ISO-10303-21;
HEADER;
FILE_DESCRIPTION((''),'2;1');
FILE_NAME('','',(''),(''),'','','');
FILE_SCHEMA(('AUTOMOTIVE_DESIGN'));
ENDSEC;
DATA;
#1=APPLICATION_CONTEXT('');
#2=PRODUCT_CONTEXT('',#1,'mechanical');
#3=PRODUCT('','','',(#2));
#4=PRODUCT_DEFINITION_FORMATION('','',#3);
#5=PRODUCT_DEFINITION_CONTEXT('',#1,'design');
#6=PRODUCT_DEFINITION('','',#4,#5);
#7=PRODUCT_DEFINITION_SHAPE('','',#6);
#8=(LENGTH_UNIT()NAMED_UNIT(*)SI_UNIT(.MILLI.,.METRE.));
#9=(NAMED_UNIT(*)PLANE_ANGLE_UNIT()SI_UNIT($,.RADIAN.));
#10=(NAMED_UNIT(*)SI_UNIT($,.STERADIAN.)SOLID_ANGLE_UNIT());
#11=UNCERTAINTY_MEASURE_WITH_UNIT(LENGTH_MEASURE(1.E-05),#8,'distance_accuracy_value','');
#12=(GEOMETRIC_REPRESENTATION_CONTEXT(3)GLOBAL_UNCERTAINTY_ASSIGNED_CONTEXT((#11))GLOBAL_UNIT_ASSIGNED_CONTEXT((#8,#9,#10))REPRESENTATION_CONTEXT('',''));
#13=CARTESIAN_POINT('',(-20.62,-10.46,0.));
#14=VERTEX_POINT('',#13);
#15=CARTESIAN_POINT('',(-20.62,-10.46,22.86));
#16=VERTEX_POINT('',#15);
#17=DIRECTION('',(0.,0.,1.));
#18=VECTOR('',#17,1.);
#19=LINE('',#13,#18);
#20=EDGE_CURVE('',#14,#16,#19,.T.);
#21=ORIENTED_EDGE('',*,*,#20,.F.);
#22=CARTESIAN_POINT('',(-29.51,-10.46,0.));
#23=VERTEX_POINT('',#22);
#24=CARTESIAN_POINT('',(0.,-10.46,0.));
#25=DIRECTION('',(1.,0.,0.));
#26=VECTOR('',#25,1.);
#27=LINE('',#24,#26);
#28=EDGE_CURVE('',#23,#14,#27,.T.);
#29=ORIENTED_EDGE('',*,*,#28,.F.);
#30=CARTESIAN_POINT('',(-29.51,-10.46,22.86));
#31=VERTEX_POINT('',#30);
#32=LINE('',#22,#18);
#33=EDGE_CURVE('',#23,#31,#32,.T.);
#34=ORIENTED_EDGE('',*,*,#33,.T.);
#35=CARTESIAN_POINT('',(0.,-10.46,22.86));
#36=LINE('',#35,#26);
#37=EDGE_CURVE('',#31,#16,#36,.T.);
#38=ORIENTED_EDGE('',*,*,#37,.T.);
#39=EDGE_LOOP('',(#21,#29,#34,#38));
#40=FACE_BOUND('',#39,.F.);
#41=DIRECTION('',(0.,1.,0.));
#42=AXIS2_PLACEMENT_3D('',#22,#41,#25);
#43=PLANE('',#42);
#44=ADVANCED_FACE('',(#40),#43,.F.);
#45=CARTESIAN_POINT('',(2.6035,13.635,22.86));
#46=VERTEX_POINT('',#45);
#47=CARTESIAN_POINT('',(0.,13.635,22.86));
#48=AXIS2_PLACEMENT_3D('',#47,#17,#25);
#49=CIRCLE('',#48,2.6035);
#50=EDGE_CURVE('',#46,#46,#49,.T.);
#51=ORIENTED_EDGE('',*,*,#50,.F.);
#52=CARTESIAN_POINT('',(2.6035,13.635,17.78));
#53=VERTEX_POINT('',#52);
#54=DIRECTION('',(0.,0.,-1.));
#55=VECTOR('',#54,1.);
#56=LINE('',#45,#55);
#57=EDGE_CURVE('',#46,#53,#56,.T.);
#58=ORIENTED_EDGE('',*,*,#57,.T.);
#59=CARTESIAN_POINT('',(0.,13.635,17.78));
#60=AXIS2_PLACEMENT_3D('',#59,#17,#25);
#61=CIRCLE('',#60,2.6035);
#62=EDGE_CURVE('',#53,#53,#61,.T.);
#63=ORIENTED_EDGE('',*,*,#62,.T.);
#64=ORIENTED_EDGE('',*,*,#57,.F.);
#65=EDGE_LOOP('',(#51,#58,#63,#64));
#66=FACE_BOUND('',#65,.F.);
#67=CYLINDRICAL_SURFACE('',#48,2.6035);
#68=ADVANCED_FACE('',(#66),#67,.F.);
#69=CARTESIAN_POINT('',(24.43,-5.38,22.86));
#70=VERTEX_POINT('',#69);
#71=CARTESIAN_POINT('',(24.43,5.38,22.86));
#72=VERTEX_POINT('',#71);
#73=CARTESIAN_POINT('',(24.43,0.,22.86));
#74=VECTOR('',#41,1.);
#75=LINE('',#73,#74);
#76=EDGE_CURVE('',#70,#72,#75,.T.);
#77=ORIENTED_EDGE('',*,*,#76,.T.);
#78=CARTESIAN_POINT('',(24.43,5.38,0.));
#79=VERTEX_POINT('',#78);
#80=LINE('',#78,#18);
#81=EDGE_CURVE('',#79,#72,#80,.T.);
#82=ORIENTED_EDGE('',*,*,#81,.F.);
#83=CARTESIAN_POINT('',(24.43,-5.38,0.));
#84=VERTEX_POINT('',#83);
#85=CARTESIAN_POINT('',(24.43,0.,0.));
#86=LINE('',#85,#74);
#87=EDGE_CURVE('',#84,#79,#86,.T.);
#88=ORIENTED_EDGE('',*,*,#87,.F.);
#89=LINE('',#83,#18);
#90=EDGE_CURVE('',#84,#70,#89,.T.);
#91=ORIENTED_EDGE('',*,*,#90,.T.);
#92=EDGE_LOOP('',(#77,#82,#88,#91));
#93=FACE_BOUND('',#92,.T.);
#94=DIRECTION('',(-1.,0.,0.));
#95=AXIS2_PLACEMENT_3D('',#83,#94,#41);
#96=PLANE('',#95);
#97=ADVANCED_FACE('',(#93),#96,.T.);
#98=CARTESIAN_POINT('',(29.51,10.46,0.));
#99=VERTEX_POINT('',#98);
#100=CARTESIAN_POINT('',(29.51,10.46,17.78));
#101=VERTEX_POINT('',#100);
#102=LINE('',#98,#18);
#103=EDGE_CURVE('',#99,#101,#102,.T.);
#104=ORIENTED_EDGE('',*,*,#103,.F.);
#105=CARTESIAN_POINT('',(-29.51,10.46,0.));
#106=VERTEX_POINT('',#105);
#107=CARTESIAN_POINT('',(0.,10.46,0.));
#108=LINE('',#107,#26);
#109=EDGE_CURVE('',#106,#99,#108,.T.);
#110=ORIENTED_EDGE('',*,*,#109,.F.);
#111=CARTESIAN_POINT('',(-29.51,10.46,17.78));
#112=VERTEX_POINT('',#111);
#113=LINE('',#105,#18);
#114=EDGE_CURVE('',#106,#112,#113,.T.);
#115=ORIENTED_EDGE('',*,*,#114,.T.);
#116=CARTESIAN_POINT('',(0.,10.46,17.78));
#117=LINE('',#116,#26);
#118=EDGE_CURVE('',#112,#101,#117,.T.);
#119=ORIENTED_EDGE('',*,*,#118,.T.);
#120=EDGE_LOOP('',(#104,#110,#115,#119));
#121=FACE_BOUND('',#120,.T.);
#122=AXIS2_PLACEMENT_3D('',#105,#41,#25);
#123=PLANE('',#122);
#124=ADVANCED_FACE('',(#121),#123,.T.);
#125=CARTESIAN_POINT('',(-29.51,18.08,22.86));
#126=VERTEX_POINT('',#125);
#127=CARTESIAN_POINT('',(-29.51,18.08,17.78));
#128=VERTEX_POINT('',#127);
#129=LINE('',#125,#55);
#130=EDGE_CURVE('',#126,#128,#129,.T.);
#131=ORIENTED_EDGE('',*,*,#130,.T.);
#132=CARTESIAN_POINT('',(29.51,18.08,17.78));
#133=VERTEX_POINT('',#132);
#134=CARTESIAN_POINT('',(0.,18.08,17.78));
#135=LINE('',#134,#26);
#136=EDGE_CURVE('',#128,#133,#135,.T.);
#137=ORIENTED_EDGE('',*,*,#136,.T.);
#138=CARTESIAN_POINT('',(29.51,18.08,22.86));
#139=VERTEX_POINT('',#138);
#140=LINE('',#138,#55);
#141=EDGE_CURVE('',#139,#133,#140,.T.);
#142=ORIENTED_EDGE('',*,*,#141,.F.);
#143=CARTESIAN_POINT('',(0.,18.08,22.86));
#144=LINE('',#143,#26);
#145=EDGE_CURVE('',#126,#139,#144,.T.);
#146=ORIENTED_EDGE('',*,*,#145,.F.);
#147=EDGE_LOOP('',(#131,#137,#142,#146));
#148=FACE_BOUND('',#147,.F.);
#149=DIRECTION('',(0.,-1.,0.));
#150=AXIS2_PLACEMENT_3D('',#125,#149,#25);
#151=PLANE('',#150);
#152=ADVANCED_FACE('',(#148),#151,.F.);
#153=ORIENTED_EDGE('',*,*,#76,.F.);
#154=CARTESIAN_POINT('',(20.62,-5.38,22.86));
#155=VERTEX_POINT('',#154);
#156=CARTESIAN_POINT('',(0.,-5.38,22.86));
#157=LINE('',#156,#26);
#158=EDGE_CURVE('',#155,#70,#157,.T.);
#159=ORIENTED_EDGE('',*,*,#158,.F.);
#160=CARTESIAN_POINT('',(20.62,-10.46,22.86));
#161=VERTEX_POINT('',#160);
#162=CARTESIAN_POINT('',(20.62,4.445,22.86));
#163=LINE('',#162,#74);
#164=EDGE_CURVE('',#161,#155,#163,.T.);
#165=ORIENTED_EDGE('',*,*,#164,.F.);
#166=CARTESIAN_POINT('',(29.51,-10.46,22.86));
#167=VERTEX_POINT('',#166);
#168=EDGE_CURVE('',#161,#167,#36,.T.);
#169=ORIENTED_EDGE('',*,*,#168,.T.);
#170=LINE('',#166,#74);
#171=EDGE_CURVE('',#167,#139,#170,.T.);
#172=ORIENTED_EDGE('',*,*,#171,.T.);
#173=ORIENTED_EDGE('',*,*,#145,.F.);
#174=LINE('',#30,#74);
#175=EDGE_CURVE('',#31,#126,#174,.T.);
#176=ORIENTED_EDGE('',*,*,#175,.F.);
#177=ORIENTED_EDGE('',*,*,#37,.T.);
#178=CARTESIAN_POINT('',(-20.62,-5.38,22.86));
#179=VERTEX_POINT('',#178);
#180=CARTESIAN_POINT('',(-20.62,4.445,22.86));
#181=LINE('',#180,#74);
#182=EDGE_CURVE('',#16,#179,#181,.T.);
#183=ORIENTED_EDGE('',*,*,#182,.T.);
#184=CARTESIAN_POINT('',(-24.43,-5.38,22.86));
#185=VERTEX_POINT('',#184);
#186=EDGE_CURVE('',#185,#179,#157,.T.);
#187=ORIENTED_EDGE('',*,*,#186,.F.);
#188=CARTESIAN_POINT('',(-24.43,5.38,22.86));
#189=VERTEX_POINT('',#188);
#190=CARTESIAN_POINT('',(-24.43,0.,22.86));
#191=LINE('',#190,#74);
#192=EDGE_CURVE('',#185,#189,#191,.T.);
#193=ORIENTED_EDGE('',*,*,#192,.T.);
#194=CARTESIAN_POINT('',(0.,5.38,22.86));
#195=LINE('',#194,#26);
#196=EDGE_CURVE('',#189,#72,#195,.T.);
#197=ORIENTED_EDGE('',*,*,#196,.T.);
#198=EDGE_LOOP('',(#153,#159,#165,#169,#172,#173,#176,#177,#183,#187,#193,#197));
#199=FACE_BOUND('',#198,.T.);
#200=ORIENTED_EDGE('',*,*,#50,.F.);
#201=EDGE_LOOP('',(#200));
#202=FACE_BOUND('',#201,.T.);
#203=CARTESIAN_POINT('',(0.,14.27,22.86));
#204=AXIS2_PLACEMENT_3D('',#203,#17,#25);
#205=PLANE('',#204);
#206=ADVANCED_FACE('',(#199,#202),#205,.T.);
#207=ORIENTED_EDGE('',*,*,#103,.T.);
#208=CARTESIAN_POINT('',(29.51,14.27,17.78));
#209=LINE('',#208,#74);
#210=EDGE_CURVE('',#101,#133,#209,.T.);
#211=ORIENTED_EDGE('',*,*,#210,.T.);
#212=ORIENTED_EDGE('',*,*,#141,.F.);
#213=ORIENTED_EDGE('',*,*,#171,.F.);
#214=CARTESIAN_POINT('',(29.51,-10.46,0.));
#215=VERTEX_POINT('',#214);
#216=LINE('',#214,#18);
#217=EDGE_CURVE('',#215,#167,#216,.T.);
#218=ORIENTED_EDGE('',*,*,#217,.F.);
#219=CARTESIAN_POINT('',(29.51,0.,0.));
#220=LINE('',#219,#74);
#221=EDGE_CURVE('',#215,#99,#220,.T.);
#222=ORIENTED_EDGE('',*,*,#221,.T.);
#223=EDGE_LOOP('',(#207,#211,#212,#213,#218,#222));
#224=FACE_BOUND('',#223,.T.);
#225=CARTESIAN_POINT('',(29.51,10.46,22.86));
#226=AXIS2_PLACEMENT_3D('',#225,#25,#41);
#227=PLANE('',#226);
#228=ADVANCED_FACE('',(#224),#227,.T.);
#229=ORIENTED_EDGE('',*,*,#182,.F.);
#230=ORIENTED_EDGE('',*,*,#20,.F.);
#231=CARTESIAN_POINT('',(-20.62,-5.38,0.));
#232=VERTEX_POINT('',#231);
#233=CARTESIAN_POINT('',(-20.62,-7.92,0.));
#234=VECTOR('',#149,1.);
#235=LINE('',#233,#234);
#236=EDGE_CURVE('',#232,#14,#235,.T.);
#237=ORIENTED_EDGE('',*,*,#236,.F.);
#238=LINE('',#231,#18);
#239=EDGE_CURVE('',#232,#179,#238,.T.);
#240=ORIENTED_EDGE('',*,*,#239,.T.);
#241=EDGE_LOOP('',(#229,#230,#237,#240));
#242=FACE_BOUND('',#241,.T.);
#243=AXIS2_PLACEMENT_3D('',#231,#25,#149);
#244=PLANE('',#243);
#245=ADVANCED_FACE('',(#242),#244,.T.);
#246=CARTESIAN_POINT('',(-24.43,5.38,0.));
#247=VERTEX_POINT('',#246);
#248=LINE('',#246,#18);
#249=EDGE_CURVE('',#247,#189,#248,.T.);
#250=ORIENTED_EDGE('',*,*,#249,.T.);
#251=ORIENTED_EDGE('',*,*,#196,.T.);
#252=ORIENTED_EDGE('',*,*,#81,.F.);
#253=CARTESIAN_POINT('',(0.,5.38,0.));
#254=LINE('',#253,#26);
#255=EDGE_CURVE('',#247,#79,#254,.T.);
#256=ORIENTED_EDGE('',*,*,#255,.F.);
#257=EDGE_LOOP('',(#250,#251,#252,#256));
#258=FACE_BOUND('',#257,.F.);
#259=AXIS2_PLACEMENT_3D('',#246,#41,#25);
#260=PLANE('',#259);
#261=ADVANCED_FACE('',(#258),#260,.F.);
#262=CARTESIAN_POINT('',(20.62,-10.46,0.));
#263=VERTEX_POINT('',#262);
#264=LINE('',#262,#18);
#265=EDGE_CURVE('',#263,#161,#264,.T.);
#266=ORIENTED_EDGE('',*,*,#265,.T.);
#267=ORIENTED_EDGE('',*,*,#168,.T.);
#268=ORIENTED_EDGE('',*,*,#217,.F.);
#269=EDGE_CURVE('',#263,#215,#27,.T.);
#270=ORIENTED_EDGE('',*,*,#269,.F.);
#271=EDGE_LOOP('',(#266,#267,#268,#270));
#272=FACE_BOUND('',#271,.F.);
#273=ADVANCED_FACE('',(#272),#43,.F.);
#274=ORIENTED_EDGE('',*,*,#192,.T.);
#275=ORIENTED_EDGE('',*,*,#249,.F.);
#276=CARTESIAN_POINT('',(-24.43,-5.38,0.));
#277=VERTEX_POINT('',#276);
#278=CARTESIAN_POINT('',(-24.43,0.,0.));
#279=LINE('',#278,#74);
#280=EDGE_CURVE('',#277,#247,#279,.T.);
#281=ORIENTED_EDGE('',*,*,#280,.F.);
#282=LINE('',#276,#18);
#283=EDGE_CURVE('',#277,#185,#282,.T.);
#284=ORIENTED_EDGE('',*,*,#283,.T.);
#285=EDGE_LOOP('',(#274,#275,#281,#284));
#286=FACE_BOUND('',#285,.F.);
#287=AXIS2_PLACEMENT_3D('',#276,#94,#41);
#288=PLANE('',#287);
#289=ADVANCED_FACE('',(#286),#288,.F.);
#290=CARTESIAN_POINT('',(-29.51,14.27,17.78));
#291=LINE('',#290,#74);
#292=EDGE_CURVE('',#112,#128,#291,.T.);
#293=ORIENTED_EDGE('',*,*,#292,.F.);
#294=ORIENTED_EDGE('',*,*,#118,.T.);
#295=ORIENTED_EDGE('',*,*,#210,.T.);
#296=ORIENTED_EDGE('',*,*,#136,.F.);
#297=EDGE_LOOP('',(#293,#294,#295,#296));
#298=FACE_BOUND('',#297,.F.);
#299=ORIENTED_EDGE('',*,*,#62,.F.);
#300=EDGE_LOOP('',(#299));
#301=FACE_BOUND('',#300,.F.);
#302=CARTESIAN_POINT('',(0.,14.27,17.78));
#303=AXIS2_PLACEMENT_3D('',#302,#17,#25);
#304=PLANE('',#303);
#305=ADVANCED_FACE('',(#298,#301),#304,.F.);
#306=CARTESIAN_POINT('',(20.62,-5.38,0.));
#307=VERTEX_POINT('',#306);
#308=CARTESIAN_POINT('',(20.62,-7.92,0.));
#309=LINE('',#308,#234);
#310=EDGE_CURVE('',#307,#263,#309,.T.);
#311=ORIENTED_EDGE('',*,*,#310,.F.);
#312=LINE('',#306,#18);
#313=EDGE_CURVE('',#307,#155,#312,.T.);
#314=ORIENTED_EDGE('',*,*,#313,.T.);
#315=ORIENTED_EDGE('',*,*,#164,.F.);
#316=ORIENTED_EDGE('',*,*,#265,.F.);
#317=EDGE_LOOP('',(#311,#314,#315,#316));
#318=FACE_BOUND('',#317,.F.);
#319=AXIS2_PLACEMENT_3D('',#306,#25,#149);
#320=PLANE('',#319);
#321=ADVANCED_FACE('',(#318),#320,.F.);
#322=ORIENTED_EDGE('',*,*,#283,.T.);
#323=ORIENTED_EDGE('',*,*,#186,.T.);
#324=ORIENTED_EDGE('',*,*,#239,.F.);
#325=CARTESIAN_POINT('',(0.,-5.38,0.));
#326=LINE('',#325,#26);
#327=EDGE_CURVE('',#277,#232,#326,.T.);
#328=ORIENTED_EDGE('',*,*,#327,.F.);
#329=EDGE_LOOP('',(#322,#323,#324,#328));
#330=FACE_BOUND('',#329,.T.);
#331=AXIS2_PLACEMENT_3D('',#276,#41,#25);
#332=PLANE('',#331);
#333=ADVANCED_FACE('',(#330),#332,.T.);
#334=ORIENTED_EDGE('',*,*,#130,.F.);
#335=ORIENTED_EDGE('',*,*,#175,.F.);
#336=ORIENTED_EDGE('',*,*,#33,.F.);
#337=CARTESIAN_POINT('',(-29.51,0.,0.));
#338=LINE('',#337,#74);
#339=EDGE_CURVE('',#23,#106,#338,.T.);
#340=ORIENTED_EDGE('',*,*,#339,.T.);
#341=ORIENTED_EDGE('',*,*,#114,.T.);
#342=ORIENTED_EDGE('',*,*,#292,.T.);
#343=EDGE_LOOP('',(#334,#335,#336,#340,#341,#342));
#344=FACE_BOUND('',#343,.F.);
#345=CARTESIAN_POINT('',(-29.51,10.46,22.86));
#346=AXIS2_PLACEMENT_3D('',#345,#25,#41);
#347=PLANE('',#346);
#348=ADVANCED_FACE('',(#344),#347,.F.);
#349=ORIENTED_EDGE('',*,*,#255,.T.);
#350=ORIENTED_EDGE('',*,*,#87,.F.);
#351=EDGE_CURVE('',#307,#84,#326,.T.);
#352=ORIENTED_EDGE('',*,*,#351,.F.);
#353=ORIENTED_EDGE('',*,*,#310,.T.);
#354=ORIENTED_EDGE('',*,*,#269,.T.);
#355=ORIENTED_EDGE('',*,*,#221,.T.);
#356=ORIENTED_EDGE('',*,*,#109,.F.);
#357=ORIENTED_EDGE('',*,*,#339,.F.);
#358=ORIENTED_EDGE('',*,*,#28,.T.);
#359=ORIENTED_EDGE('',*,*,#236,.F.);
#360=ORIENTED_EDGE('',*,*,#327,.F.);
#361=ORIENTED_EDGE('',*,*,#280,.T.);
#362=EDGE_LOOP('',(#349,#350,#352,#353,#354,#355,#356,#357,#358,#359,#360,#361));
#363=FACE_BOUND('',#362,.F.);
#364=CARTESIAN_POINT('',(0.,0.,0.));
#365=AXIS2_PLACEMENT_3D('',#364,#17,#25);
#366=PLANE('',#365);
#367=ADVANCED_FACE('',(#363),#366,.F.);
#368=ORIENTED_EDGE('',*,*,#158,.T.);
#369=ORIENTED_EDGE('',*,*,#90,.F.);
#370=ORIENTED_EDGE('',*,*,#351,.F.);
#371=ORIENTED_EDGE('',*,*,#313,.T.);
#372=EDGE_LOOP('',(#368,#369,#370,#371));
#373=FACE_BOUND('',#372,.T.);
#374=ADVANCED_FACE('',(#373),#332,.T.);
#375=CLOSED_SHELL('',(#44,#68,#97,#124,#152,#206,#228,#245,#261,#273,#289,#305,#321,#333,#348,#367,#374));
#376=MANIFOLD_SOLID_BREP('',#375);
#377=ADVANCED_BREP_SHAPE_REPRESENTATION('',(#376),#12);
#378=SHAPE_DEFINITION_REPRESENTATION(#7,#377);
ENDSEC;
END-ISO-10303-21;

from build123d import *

# Parameters (mm, degrees)
F0_W     = 59.02
F0_H     = 20.92
F0_W_2   = 48.86
F0_H_2   = 10.76
F1_DEPTH = 22.86
F2_W     = 59.02
F2_H     = 7.62
F2_R     = 2.6035
F3_DEPTH = 5.08
F4_W     = 41.24
F4_H     = 5.08
F5_DEPTH = 22.861


with BuildPart() as f1:
    # F0 (on Top) → F1 (new body)
    with BuildSketch(Plane.XY):
        Rectangle(F0_W, F0_H)
        Rectangle(F0_W_2, F0_H_2, mode=Mode.SUBTRACT)
    extrude(amount=F1_DEPTH)

    # F2 (on face) → F3 (join)
    with BuildSketch(Plane.XY.offset(22.86)):
        with Locations((0, 14.27)):
            Rectangle(F2_W, F2_H)
        with Locations((0, 13.635)):
            Circle(F2_R, mode=Mode.SUBTRACT)
    extrude(amount=-F3_DEPTH)

    # F4 (on face) → F5 (cut, through all)
    with BuildSketch(Plane(origin=(0, 0, 0), x_dir=(1, 0, 0), z_dir=(0, 0, -1))):
        with Locations((0, 7.92)):
            Rectangle(F4_W, F4_H)
    extrude(amount=-F5_DEPTH, mode=Mode.SUBTRACT)


solid = f1.part
